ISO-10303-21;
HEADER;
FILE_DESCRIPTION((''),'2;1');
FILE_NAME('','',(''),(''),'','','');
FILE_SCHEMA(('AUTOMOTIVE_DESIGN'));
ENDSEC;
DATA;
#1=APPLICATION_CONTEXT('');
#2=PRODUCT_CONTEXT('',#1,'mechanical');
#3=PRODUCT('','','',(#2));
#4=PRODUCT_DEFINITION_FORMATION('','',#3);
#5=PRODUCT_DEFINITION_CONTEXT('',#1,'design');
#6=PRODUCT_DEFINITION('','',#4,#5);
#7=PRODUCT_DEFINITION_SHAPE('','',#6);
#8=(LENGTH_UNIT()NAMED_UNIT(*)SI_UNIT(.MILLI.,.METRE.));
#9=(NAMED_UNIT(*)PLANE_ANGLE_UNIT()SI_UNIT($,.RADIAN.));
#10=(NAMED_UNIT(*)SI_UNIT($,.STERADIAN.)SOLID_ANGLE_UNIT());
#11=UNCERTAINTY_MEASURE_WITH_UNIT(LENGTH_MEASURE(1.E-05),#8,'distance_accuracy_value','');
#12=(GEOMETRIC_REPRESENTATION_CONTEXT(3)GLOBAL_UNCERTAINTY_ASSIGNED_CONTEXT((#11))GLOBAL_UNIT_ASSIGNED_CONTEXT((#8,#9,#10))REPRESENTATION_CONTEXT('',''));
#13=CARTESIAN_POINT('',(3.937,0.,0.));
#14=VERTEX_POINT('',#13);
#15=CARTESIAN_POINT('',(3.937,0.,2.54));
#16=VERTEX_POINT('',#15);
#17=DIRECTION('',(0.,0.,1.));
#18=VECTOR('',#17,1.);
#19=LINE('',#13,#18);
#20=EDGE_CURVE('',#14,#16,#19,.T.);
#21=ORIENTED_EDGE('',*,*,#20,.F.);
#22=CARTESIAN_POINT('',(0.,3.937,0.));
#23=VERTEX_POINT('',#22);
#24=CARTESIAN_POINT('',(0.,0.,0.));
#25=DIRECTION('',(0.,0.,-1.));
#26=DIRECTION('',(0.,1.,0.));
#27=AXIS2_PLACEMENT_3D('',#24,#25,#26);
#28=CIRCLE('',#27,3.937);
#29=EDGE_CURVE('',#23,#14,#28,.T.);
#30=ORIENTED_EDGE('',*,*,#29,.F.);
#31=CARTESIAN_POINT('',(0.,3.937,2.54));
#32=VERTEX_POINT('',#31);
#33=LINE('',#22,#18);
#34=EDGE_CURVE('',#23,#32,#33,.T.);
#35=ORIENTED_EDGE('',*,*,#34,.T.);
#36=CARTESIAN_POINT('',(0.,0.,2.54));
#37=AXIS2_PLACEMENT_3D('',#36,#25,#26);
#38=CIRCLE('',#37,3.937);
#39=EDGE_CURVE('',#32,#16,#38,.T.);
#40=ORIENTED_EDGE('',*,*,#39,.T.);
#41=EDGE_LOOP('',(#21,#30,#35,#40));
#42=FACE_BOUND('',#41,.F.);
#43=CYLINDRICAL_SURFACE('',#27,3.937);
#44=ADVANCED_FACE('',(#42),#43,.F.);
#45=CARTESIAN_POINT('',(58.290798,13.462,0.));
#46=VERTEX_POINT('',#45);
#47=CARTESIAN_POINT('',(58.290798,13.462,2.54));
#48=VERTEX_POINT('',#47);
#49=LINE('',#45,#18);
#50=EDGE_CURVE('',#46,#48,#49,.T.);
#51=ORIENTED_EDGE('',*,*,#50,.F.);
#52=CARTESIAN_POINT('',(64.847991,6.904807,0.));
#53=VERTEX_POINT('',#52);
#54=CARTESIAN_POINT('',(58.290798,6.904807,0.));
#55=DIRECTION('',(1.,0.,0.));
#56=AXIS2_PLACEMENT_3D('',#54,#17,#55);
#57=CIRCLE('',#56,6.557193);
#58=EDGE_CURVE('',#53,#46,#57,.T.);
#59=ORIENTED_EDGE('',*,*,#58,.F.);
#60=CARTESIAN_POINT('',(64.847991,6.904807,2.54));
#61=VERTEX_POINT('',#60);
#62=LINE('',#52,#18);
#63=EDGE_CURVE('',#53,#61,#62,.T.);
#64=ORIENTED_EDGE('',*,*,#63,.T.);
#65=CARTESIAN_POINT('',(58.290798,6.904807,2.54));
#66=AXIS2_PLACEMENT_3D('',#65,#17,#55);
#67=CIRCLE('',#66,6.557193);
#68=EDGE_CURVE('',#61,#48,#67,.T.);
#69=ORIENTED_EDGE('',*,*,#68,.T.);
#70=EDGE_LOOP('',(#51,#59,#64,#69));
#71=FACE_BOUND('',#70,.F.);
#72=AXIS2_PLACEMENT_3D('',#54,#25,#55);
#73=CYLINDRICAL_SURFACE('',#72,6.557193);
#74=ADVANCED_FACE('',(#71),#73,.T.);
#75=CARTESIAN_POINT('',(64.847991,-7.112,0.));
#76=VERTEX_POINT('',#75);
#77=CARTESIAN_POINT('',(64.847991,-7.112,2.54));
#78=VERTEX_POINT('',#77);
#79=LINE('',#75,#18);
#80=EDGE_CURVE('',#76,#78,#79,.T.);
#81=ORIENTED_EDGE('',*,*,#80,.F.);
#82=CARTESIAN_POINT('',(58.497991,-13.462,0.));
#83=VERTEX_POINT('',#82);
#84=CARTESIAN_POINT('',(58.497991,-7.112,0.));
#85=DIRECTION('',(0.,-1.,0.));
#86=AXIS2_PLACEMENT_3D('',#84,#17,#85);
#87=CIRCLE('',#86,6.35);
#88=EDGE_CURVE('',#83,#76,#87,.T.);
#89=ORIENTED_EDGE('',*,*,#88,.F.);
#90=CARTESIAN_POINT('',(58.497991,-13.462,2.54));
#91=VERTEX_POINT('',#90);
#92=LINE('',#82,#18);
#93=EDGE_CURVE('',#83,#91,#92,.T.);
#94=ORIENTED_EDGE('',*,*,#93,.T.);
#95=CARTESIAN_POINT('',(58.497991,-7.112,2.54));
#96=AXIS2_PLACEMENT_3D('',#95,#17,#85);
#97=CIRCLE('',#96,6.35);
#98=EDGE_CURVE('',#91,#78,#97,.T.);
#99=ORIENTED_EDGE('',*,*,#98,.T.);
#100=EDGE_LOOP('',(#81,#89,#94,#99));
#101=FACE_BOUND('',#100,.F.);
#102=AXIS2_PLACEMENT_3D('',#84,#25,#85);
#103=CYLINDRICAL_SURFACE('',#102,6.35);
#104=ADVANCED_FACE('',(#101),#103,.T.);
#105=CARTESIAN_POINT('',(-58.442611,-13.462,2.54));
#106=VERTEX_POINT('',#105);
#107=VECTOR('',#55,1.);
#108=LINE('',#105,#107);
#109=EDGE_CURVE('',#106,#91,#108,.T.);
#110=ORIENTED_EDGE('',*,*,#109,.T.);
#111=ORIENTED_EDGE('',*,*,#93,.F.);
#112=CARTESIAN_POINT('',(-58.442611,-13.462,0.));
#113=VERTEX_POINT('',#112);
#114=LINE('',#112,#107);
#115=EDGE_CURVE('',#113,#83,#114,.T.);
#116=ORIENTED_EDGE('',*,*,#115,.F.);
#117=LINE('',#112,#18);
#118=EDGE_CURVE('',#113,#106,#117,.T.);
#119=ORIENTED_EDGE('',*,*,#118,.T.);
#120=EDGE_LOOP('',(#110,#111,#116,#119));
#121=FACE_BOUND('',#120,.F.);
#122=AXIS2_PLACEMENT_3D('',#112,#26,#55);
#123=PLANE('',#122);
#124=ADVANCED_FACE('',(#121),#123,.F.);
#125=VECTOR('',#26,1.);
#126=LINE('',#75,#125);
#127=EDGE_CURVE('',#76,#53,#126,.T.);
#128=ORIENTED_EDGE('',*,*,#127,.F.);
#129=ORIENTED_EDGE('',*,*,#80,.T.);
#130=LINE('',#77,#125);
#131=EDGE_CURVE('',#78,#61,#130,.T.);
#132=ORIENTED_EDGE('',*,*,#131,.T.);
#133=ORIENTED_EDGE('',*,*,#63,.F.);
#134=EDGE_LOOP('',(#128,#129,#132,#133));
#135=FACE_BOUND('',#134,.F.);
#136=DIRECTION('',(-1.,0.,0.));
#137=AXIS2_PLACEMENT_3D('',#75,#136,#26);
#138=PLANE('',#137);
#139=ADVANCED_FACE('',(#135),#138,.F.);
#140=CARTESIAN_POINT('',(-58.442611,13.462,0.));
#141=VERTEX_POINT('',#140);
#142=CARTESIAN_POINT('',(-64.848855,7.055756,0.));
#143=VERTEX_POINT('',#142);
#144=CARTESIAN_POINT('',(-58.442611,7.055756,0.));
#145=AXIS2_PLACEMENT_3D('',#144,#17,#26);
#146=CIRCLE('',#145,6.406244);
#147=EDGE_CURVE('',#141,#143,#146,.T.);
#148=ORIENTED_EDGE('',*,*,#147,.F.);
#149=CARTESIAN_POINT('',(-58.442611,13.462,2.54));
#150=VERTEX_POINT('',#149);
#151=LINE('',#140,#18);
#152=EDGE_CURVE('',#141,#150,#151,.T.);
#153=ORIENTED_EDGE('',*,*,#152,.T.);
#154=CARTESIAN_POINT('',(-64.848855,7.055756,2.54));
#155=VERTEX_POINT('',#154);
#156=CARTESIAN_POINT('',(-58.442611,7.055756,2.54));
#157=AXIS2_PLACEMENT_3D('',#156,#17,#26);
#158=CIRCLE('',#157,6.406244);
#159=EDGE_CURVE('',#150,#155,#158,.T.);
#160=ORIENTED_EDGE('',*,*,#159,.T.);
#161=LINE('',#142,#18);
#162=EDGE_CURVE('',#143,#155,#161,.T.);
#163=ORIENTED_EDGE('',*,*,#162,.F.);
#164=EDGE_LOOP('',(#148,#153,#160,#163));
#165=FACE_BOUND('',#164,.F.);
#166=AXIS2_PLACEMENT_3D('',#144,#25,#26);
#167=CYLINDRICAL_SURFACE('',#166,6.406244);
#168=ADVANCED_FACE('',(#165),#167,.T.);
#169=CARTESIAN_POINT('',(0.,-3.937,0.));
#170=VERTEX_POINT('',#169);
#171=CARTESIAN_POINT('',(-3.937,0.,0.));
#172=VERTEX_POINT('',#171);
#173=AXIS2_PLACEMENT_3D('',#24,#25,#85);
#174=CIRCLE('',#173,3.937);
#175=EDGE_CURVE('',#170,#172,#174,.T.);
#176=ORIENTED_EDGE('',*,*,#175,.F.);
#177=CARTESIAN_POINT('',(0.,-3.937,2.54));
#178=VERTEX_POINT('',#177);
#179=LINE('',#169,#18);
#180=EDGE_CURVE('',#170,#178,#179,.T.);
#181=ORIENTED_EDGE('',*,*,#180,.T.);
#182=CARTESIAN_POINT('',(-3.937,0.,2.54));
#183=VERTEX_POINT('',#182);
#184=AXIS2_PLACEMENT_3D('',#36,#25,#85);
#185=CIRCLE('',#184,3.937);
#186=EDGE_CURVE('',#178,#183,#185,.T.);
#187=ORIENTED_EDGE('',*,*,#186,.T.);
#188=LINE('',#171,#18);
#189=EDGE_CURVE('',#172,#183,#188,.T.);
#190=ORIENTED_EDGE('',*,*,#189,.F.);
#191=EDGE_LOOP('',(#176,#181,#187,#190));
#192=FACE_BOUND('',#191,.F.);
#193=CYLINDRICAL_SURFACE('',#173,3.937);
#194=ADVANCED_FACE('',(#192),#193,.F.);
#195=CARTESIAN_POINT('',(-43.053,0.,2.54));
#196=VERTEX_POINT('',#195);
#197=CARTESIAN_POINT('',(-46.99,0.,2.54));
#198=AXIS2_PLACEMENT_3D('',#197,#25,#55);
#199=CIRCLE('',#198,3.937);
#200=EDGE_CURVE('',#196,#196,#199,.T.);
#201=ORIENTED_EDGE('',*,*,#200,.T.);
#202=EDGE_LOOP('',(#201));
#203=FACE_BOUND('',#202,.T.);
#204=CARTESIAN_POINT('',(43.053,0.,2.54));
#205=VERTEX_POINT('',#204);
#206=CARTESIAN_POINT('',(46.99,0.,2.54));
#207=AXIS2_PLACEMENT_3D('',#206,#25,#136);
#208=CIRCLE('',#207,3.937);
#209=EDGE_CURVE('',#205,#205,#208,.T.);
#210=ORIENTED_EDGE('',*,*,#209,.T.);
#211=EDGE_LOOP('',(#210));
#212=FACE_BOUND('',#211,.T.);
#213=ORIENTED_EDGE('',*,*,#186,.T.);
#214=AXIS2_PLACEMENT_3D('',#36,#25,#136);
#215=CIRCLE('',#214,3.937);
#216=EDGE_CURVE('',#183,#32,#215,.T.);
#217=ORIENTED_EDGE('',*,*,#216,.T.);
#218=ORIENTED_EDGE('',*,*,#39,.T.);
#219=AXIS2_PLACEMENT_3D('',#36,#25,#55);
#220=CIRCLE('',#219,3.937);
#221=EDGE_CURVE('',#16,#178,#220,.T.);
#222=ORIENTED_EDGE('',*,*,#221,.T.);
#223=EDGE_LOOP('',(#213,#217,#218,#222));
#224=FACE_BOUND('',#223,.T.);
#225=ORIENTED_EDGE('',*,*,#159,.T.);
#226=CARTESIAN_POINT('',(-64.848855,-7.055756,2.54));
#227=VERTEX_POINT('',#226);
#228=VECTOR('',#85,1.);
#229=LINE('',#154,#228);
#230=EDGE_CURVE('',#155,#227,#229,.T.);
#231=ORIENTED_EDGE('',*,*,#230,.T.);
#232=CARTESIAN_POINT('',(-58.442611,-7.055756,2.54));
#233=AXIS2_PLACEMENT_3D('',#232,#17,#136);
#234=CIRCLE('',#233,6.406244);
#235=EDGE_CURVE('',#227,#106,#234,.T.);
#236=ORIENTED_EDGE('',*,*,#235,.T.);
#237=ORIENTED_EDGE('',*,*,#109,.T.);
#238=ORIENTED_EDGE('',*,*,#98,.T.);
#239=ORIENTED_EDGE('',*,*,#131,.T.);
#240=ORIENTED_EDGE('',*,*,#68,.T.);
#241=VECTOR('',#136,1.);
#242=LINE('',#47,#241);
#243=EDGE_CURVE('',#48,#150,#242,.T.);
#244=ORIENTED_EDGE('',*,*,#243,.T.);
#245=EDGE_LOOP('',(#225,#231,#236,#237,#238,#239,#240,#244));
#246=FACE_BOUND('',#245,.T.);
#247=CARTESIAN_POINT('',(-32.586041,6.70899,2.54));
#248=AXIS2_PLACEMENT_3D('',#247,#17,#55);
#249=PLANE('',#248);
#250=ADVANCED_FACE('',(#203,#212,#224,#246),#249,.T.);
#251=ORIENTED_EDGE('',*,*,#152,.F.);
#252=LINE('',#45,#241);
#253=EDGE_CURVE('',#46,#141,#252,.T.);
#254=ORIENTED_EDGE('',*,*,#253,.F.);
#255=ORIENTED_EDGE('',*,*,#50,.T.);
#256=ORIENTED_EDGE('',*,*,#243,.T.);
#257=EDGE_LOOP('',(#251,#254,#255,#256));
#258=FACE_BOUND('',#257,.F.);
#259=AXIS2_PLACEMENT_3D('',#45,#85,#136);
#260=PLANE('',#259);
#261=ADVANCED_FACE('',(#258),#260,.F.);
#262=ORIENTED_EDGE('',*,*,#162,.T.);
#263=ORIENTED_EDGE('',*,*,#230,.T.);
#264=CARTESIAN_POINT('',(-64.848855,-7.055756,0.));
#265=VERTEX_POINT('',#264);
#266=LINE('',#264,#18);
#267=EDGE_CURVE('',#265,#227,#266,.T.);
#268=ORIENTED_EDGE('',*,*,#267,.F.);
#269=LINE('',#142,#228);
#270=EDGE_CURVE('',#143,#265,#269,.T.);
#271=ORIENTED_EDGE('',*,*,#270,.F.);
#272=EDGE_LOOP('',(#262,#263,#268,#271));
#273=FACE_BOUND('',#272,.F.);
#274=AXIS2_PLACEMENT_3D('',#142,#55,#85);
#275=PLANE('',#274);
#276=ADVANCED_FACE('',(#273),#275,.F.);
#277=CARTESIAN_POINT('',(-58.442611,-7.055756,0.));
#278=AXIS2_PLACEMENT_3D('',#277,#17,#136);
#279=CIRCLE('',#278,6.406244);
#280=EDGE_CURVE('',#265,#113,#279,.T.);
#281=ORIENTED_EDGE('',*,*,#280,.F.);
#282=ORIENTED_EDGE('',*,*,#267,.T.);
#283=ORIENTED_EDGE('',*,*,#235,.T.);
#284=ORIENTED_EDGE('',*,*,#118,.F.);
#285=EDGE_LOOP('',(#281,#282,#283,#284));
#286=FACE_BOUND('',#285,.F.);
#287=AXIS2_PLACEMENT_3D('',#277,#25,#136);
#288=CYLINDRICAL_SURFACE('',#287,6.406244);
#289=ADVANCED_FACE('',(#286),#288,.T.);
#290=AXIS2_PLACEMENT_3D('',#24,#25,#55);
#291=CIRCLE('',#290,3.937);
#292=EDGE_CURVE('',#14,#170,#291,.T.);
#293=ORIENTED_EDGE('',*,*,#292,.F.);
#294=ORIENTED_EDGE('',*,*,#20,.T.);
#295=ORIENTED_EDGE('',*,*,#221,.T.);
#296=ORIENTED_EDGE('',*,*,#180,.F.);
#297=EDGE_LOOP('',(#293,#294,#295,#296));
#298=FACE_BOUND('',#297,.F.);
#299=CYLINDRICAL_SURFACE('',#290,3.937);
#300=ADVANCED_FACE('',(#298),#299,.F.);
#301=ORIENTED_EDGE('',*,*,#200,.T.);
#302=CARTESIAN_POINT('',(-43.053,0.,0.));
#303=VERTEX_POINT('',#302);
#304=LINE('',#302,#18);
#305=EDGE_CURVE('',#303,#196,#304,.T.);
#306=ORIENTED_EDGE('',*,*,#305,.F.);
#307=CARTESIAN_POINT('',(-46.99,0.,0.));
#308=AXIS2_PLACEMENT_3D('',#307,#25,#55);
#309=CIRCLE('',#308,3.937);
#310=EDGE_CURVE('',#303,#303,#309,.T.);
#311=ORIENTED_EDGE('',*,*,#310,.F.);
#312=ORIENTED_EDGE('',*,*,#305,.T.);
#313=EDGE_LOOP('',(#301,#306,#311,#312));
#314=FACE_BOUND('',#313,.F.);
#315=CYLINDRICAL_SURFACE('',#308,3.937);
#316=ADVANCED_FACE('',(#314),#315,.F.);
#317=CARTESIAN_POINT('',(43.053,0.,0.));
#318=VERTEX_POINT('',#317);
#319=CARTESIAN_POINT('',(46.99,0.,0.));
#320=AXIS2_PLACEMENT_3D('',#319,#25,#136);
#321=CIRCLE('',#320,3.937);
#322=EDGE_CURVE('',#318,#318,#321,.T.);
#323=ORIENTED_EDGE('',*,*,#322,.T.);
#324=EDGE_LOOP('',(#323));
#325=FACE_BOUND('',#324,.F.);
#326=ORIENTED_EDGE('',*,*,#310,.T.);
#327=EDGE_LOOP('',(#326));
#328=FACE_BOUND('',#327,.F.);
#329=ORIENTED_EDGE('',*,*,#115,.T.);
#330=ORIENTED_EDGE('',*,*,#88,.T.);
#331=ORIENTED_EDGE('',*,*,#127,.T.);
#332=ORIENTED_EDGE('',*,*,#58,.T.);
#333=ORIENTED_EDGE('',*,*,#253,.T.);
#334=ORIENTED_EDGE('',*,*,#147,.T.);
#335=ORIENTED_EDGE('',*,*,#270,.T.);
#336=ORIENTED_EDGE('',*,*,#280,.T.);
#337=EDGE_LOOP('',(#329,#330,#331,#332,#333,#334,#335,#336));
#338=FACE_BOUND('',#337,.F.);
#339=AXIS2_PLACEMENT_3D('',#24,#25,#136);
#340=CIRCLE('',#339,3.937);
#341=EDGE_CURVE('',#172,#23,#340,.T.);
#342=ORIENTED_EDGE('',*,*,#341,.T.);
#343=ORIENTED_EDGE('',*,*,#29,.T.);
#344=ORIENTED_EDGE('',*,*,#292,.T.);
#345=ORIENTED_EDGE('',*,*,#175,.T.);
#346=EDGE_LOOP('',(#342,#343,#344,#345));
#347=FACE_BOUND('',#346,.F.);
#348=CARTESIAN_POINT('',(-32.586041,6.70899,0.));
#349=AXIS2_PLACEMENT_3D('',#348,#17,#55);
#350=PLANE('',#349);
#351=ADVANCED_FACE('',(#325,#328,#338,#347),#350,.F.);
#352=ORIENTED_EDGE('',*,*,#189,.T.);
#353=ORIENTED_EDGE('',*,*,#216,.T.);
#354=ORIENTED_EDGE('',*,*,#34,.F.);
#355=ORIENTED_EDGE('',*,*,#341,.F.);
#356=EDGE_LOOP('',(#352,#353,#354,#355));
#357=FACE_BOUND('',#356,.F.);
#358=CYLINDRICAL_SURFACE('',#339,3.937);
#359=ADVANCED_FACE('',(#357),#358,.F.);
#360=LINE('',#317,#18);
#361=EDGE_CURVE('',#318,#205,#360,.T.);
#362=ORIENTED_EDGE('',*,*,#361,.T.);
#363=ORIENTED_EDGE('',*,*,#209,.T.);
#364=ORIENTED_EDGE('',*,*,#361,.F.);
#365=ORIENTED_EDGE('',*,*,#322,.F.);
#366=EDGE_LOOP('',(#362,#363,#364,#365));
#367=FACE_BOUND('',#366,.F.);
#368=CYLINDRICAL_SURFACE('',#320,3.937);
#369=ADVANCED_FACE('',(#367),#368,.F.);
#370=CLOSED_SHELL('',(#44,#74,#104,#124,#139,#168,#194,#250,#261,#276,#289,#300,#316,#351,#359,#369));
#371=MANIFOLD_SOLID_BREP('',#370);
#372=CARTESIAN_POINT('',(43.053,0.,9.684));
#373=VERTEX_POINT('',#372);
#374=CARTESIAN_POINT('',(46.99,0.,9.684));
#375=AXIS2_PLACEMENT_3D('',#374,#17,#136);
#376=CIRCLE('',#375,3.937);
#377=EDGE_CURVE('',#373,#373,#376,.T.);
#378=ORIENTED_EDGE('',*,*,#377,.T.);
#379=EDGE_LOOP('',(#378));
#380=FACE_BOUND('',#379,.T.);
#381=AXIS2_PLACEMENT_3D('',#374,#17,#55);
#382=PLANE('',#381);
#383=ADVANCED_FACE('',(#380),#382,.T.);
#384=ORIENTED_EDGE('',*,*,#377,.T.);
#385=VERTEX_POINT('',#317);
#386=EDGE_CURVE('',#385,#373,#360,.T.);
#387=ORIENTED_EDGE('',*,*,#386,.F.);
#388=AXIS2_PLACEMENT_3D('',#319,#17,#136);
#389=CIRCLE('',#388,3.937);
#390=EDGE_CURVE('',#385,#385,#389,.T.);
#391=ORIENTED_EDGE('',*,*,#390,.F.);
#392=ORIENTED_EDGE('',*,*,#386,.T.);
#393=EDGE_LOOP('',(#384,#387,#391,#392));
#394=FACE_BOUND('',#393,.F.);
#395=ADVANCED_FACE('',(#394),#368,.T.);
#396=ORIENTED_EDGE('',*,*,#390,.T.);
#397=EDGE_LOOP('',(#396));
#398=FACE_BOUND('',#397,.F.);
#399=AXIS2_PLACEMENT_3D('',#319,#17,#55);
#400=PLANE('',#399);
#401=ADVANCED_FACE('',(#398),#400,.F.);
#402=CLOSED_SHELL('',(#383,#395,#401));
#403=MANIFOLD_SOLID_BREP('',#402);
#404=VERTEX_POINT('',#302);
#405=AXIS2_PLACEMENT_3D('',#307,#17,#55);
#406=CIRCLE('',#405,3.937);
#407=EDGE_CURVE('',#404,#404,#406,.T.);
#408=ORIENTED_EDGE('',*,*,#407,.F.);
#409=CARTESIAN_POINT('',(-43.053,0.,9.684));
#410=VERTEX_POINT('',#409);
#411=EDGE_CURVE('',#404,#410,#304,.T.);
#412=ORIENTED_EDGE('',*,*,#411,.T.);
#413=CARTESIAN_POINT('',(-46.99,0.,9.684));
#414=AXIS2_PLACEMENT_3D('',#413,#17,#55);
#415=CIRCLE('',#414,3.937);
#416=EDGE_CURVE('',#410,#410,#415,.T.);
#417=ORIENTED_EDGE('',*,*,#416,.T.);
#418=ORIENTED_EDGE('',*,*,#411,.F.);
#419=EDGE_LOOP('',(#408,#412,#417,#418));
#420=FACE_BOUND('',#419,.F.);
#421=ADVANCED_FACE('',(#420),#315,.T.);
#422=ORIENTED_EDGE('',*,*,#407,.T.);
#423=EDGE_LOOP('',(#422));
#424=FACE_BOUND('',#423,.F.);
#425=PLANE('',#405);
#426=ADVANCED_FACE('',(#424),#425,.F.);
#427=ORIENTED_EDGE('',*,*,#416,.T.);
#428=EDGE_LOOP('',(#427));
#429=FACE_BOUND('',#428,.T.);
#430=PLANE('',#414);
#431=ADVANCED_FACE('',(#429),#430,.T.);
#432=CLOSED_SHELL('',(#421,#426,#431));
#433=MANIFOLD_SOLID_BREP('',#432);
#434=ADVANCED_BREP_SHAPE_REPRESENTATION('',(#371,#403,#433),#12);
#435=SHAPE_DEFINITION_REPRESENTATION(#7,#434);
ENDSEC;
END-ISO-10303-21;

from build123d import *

# Parameters (mm, degrees)
F1_DEPTH = 9.684
F2_DEPTH = 2.54


with BuildPart() as f1:
    # F0 (on Top) → F1 (new body)
    with BuildSketch(Plane.XY):
        with BuildLine():
            ThreePointArc((50.927, 0), (46.99, 3.937), (43.053, 0))
            ThreePointArc((43.053, 0), (46.99, -3.937), (50.927, 0))
        make_face()
    extrude(amount=F1_DEPTH)


with BuildPart() as f1b:
    # F0 (on Top) → F1, piece 2 (new body)
    with BuildSketch(Plane.XY):
        with BuildLine():
            ThreePointArc((-50.927, 0), (-46.99, -3.937), (-43.053, 0))
            ThreePointArc((-43.053, 0), (-46.99, 3.937), (-50.927, 0))
        make_face()
    extrude(amount=F1_DEPTH)


with BuildPart() as f2:
    # F0 (on Top) → F2 (new body)
    with BuildSketch(Plane.XY):
        with BuildLine():
            ThreePointArc((-3.937, 0), (-2.7838793975, 2.7838793975), (0, 3.937))
            Line((0, 3.937), (0, 13.462))
            Line((0, 13.462), (-58.4426107049, 13.462))
            ThreePointArc((-58.4426107049, 13.462), (-62.9725095854, 11.5856544475), (-64.8488551378, 7.0557555671))
            Line((-64.8488551378, 7.0557555671), (-64.8488551378, 0))
            Line((-64.8488551378, 0), (-50.927, 0))
            ThreePointArc((-50.927, 0), (-46.99, 3.937), (-43.053, 0))
            Line((-43.053, 0), (-3.937, 0))
        make_face()
        with BuildLine():
            Line((0, -13.462), (0, -3.937))
            ThreePointArc((0, -3.937), (-2.7838793975, -2.7838793975), (-3.937, 0))
            Line((-3.937, 0), (-43.053, 0))
            ThreePointArc((-43.053, 0), (-46.99, -3.937), (-50.927, 0))
            Line((-50.927, 0), (-64.8488551378, 0))
            Line((-64.8488551378, 0), (-64.8488551378, -7.0557555671))
            ThreePointArc((-64.8488551378, -7.0557555671), (-62.9725095854, -11.5856544475), (-58.4426107049, -13.462))
            Line((-58.4426107049, -13.462), (0, -13.462))
        make_face()
        with BuildLine():
            ThreePointArc((0, 3.937), (2.7838793975, 2.7838793975), (3.937, 0))
            ThreePointArc((3.937, 0), (2.7838793975, -2.7838793975), (0, -3.937))
            Line((0, -3.937), (0, -13.462))
            Line((0, -13.462), (58.4979908705, -13.462))
            ThreePointArc((58.4979908705, -13.462), (62.988118931, -11.6021280605), (64.8479908705, -7.112))
            Line((64.8479908705, -7.112), (64.8479908705, 6.9048068042))
            ThreePointArc((64.8479908705, 6.9048068042), (62.927433449, 11.5414425785), (58.2907976747, 13.462))
            Line((58.2907976747, 13.462), (0, 13.462))
            Line((0, 13.462), (0, 3.937))
        make_face()
        with BuildLine():
            ThreePointArc((50.927, 0), (46.99, -3.937), (43.053, 0))
            ThreePointArc((43.053, 0), (46.99, 3.937), (50.927, 0))
        make_face(mode=Mode.SUBTRACT)
    extrude(amount=F2_DEPTH)


solid = Compound([f1.part, f1b.part, f2.part])
